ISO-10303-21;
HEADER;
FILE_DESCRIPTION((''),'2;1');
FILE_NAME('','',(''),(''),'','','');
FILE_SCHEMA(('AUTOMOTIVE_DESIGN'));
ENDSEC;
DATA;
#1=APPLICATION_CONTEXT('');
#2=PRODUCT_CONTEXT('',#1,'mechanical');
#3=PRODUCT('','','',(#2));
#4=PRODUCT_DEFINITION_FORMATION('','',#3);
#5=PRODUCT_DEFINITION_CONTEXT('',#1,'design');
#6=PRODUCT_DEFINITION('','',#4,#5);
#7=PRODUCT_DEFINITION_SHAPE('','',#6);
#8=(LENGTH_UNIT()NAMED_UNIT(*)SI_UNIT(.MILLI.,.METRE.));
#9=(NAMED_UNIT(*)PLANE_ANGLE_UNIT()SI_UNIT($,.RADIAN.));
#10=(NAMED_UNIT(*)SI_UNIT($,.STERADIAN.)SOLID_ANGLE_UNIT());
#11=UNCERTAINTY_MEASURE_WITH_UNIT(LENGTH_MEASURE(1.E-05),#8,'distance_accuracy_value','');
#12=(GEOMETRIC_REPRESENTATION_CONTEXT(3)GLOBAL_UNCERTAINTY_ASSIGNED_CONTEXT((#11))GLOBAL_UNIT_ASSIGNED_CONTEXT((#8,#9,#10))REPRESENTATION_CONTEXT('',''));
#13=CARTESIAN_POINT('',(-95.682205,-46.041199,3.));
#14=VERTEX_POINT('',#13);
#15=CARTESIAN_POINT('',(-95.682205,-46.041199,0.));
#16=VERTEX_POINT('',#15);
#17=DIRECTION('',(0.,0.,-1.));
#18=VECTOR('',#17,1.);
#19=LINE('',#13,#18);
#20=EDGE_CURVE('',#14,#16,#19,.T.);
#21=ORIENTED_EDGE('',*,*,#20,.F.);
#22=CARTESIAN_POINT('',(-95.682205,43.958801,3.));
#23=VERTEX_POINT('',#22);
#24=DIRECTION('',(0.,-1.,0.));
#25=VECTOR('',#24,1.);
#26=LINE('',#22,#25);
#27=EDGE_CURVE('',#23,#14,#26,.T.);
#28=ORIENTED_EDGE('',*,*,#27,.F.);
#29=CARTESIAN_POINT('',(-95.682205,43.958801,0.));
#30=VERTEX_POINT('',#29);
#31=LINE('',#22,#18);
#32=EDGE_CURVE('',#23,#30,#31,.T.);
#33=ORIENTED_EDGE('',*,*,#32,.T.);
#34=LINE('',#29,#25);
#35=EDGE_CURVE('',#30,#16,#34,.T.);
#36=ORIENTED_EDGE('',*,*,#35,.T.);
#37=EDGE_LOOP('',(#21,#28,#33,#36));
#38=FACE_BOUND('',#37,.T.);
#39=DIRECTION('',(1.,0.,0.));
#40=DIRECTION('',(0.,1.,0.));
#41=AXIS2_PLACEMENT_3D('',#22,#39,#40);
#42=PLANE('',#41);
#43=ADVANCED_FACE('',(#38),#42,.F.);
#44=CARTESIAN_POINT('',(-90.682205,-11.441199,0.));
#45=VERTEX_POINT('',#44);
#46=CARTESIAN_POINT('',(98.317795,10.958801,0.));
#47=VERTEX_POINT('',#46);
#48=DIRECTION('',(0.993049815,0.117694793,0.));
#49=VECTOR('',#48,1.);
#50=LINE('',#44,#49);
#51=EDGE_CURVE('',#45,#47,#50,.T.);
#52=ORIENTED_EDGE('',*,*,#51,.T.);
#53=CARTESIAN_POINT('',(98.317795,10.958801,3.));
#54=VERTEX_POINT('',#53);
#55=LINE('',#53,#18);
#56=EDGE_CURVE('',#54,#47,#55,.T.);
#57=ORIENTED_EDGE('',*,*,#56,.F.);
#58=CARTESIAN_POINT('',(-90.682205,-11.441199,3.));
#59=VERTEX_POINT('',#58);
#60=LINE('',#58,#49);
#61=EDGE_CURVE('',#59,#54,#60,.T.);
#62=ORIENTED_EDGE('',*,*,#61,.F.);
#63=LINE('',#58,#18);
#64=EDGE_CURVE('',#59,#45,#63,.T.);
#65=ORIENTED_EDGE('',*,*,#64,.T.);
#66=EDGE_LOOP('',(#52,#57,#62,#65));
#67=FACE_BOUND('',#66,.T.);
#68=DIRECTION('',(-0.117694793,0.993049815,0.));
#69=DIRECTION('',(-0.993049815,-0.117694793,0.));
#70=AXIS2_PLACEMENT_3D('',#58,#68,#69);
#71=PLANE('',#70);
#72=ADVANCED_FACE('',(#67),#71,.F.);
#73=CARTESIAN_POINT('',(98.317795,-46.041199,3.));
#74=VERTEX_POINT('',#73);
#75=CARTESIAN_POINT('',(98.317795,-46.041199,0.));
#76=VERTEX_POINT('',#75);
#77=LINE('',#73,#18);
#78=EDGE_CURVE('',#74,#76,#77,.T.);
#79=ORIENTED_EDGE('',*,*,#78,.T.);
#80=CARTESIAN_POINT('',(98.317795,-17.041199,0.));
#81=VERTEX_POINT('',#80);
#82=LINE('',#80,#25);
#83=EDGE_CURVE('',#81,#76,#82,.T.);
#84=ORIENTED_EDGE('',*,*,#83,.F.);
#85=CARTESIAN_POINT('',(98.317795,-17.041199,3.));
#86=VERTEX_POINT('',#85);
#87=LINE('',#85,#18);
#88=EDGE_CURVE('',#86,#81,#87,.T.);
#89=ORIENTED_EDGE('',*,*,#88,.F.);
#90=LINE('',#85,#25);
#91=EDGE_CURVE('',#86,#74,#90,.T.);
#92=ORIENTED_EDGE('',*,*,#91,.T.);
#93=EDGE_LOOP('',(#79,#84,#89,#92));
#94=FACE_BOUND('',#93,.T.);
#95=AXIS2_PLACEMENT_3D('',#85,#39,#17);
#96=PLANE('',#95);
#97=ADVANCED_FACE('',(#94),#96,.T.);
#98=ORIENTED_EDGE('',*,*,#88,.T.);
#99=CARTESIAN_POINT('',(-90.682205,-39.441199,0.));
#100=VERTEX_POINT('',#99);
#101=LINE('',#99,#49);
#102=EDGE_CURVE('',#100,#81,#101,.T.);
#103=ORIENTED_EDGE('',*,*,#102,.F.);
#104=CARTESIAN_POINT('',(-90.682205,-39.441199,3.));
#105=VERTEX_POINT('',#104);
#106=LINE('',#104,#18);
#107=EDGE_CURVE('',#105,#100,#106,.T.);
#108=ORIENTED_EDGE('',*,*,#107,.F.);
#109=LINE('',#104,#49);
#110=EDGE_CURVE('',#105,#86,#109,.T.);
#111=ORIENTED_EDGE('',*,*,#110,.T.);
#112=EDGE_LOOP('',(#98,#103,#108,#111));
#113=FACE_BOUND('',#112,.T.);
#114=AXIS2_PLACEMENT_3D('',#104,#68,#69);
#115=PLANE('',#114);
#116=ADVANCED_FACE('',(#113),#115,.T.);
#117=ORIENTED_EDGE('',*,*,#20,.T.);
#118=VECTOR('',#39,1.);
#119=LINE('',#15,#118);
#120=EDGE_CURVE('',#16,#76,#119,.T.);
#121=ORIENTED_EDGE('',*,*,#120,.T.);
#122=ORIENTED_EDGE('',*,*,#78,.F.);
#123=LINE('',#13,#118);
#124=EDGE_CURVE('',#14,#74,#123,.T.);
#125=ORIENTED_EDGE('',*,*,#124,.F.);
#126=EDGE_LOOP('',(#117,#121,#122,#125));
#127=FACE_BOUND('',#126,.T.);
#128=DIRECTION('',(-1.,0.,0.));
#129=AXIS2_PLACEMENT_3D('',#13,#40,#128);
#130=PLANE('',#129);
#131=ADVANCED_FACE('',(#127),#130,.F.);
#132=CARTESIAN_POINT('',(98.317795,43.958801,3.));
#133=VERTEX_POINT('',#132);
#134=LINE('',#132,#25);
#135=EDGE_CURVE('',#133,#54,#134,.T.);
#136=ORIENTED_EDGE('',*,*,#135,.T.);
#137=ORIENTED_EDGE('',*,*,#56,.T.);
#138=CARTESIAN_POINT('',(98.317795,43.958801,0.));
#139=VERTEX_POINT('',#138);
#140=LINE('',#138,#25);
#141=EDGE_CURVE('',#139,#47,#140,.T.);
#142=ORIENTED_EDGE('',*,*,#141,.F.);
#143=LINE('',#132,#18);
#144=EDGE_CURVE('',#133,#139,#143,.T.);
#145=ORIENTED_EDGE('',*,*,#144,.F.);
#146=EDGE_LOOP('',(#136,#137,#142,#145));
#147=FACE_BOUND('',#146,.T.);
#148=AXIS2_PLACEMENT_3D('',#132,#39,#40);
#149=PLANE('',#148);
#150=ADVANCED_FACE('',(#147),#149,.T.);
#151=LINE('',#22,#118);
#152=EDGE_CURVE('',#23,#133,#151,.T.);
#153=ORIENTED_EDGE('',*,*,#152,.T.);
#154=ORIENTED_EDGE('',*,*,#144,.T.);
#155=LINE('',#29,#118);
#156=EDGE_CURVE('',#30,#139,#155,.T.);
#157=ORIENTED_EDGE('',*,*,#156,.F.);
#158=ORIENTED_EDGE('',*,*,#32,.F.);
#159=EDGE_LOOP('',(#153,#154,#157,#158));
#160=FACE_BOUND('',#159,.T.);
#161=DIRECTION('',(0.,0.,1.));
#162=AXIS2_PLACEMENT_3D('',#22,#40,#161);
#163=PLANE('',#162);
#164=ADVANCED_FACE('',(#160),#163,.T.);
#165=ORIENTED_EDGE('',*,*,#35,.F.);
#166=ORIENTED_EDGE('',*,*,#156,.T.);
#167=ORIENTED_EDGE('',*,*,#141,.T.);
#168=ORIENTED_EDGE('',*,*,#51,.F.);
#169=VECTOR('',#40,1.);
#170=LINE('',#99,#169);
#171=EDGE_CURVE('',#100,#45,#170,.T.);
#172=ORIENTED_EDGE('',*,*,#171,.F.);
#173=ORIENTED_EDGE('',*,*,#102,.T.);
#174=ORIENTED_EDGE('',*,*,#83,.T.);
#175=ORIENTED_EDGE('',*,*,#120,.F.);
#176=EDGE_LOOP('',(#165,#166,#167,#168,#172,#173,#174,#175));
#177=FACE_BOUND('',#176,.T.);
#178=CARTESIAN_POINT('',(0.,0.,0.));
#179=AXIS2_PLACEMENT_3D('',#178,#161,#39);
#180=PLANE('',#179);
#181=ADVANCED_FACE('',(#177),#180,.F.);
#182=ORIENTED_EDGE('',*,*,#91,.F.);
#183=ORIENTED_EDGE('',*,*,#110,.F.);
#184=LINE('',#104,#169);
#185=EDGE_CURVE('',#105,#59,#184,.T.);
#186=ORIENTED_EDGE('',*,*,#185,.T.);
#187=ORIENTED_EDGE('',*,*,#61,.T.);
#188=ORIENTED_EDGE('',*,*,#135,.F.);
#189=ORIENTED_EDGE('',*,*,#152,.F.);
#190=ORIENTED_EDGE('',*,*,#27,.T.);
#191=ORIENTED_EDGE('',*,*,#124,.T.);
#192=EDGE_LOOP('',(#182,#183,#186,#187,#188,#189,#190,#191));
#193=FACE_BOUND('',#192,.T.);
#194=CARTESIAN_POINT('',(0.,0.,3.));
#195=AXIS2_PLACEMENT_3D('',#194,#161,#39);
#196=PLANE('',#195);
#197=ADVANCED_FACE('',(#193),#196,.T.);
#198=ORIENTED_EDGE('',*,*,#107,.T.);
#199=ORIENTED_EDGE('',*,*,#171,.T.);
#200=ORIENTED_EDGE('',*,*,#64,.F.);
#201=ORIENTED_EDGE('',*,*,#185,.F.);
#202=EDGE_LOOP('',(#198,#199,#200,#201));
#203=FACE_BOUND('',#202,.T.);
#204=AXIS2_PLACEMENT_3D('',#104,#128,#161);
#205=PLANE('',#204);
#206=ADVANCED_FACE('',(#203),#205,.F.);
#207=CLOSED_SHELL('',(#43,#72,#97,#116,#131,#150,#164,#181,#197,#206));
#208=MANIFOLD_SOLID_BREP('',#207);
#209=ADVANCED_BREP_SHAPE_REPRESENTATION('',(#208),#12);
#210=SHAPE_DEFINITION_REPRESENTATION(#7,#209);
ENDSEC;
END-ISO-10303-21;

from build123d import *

# Parameters (mm, degrees)
EXTRUDE_1_DEPTH = 3


with BuildPart() as part:
    # 草圖1 → 填料-伸長1 (new body)
    with BuildSketch(Plane.XY):
        Polygon((-90.682204677, -39.441198502), (-90.682204677, -11.441198502), (98.317795323, 10.958801498), (98.317795323, 43.958801498), (-95.682204677, 43.958801498), (-95.682204677, -46.041198502), (98.317795323, -46.041198502), (98.317795323, -17.041198502), align=None)
    extrude(amount=EXTRUDE_1_DEPTH)


solid = part.part
